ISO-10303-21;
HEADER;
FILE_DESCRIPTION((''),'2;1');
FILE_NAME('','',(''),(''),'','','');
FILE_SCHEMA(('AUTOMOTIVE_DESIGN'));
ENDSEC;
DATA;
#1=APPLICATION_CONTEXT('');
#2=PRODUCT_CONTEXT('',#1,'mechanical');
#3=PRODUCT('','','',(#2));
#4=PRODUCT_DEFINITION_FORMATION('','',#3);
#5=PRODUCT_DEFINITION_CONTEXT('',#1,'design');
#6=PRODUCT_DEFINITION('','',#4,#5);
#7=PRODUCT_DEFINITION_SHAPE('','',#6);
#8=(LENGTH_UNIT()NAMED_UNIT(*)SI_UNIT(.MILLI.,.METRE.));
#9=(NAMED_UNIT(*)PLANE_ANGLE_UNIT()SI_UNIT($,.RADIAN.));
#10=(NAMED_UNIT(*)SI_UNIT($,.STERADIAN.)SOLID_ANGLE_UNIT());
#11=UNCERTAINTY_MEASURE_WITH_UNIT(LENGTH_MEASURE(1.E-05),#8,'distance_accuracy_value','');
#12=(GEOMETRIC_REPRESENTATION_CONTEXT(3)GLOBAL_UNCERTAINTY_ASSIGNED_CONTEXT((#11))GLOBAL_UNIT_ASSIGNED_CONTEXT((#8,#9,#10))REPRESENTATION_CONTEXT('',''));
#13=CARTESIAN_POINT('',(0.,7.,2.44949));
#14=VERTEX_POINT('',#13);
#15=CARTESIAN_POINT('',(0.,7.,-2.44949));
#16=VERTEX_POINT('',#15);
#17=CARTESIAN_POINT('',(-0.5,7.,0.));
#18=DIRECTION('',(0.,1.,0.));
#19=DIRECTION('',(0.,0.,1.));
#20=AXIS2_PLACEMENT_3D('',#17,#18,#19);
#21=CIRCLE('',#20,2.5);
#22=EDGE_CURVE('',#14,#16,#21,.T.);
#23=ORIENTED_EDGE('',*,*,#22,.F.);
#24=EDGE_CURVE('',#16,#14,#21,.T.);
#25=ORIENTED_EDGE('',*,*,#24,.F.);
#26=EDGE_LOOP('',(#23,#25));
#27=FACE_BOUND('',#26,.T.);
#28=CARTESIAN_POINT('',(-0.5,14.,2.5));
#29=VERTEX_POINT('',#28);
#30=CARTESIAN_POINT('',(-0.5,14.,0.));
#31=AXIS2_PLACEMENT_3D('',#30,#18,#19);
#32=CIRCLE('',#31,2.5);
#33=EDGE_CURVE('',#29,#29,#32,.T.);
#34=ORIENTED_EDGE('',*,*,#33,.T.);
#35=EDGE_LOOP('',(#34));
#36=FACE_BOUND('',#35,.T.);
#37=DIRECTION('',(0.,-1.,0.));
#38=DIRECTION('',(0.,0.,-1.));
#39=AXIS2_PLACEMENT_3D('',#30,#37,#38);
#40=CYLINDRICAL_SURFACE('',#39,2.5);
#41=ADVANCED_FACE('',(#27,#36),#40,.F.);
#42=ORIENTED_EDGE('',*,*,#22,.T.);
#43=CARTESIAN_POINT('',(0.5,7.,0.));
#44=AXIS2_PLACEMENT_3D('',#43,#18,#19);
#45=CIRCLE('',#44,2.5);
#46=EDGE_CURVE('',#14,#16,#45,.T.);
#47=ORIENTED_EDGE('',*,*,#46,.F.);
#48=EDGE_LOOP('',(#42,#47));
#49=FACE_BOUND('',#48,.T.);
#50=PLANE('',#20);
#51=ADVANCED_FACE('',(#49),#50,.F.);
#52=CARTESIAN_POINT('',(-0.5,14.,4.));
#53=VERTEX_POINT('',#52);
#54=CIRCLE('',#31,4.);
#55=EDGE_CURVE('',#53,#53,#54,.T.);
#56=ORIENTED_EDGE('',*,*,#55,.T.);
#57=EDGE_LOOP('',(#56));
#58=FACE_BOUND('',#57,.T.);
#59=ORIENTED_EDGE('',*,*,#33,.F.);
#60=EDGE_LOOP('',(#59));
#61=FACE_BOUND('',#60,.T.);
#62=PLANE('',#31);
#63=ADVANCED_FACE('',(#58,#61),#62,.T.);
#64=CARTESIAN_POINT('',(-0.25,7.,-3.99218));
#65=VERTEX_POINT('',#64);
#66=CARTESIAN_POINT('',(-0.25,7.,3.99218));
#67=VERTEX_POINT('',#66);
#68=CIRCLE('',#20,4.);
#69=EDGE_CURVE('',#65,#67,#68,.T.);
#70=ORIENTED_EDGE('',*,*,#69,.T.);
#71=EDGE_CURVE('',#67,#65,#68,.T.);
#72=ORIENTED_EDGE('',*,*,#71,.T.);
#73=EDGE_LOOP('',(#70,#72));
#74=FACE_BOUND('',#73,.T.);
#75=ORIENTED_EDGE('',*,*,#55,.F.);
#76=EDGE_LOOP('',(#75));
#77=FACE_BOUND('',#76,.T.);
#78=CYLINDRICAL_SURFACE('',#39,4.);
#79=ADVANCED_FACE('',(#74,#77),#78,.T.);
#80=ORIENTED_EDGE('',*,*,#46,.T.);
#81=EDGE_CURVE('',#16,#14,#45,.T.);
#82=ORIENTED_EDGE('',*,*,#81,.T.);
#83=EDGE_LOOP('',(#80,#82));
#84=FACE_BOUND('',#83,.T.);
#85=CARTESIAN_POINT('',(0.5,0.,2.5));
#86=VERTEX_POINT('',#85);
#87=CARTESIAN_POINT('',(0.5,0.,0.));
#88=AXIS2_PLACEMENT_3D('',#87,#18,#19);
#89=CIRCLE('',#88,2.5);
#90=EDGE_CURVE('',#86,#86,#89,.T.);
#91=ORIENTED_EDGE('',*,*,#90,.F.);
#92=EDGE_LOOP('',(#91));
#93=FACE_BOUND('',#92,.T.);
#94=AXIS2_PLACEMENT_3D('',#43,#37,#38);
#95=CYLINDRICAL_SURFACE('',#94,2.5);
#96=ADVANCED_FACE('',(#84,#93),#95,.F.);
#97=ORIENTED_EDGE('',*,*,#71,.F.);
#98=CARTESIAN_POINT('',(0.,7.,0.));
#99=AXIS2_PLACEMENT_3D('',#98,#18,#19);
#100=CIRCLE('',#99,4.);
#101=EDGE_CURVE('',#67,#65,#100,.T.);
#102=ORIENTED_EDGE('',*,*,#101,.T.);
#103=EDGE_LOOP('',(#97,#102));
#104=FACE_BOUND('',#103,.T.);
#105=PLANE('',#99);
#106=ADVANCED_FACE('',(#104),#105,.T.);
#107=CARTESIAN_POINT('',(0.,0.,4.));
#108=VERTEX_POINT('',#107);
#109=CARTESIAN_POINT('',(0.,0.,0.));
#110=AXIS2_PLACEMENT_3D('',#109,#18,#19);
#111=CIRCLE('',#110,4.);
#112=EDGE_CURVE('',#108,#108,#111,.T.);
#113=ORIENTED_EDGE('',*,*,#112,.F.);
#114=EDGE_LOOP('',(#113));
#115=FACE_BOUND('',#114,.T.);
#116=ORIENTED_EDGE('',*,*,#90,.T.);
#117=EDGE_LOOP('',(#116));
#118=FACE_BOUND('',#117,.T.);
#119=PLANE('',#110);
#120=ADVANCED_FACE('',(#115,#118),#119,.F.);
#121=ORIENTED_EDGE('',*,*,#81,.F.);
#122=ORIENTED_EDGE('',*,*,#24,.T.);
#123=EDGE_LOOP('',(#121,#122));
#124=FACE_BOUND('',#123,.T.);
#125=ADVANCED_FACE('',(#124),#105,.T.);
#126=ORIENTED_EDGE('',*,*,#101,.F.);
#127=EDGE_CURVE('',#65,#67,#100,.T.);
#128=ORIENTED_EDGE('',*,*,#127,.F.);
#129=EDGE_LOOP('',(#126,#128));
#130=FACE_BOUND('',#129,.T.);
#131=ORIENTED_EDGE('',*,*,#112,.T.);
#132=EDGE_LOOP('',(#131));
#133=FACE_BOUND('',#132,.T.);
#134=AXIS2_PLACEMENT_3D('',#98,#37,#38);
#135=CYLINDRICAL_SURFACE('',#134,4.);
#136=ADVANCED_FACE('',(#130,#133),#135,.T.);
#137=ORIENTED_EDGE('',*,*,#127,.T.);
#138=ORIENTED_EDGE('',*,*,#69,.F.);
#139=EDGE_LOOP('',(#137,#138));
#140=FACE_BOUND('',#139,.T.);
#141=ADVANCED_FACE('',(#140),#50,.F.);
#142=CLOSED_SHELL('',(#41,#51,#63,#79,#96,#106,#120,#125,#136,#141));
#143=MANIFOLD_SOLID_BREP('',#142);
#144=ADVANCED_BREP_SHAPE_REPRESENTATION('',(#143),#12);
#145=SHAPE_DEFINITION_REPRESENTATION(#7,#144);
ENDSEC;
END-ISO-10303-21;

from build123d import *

# Parameters (mm, degrees)
SKETCH1_R           = 4
SKETCH1_R_2         = 2.5
BOSS_EXTRUDE1_DEPTH = 7
SKETCH2_R           = 4
SKETCH2_R_2         = 2.5
BOSS_EXTRUDE2_DEPTH = 7


with BuildPart() as part:
    # Sketch1 → Boss-Extrude1 (new body)
    with BuildSketch(Plane(origin=(0, 0, 0), x_dir=(1, 0, 0), z_dir=(0, 1, 0))):
        with Locations(Location((0, 0, 0), (0, 0, 270))):
            Circle(SKETCH1_R)
        with Locations(Location((0.5, 0, 0), (0, 0, 270))):
            Circle(SKETCH1_R_2, mode=Mode.SUBTRACT)
    extrude(amount=BOSS_EXTRUDE1_DEPTH)

    # Sketch2 → Boss-Extrude2 (add)
    with BuildSketch(Plane(origin=(0, 7, 0), x_dir=(1, 0, 0), z_dir=(0, 1, 0))):
        with Locations(Location((-0.5, 0, 0), (0, 0, 86.416678302))):
            Circle(SKETCH2_R)
        with Locations(Location((-0.5, 0, 0), (0, 0, 78.463040967))):
            Circle(SKETCH2_R_2, mode=Mode.SUBTRACT)
    extrude(amount=BOSS_EXTRUDE2_DEPTH)


solid = part.part
